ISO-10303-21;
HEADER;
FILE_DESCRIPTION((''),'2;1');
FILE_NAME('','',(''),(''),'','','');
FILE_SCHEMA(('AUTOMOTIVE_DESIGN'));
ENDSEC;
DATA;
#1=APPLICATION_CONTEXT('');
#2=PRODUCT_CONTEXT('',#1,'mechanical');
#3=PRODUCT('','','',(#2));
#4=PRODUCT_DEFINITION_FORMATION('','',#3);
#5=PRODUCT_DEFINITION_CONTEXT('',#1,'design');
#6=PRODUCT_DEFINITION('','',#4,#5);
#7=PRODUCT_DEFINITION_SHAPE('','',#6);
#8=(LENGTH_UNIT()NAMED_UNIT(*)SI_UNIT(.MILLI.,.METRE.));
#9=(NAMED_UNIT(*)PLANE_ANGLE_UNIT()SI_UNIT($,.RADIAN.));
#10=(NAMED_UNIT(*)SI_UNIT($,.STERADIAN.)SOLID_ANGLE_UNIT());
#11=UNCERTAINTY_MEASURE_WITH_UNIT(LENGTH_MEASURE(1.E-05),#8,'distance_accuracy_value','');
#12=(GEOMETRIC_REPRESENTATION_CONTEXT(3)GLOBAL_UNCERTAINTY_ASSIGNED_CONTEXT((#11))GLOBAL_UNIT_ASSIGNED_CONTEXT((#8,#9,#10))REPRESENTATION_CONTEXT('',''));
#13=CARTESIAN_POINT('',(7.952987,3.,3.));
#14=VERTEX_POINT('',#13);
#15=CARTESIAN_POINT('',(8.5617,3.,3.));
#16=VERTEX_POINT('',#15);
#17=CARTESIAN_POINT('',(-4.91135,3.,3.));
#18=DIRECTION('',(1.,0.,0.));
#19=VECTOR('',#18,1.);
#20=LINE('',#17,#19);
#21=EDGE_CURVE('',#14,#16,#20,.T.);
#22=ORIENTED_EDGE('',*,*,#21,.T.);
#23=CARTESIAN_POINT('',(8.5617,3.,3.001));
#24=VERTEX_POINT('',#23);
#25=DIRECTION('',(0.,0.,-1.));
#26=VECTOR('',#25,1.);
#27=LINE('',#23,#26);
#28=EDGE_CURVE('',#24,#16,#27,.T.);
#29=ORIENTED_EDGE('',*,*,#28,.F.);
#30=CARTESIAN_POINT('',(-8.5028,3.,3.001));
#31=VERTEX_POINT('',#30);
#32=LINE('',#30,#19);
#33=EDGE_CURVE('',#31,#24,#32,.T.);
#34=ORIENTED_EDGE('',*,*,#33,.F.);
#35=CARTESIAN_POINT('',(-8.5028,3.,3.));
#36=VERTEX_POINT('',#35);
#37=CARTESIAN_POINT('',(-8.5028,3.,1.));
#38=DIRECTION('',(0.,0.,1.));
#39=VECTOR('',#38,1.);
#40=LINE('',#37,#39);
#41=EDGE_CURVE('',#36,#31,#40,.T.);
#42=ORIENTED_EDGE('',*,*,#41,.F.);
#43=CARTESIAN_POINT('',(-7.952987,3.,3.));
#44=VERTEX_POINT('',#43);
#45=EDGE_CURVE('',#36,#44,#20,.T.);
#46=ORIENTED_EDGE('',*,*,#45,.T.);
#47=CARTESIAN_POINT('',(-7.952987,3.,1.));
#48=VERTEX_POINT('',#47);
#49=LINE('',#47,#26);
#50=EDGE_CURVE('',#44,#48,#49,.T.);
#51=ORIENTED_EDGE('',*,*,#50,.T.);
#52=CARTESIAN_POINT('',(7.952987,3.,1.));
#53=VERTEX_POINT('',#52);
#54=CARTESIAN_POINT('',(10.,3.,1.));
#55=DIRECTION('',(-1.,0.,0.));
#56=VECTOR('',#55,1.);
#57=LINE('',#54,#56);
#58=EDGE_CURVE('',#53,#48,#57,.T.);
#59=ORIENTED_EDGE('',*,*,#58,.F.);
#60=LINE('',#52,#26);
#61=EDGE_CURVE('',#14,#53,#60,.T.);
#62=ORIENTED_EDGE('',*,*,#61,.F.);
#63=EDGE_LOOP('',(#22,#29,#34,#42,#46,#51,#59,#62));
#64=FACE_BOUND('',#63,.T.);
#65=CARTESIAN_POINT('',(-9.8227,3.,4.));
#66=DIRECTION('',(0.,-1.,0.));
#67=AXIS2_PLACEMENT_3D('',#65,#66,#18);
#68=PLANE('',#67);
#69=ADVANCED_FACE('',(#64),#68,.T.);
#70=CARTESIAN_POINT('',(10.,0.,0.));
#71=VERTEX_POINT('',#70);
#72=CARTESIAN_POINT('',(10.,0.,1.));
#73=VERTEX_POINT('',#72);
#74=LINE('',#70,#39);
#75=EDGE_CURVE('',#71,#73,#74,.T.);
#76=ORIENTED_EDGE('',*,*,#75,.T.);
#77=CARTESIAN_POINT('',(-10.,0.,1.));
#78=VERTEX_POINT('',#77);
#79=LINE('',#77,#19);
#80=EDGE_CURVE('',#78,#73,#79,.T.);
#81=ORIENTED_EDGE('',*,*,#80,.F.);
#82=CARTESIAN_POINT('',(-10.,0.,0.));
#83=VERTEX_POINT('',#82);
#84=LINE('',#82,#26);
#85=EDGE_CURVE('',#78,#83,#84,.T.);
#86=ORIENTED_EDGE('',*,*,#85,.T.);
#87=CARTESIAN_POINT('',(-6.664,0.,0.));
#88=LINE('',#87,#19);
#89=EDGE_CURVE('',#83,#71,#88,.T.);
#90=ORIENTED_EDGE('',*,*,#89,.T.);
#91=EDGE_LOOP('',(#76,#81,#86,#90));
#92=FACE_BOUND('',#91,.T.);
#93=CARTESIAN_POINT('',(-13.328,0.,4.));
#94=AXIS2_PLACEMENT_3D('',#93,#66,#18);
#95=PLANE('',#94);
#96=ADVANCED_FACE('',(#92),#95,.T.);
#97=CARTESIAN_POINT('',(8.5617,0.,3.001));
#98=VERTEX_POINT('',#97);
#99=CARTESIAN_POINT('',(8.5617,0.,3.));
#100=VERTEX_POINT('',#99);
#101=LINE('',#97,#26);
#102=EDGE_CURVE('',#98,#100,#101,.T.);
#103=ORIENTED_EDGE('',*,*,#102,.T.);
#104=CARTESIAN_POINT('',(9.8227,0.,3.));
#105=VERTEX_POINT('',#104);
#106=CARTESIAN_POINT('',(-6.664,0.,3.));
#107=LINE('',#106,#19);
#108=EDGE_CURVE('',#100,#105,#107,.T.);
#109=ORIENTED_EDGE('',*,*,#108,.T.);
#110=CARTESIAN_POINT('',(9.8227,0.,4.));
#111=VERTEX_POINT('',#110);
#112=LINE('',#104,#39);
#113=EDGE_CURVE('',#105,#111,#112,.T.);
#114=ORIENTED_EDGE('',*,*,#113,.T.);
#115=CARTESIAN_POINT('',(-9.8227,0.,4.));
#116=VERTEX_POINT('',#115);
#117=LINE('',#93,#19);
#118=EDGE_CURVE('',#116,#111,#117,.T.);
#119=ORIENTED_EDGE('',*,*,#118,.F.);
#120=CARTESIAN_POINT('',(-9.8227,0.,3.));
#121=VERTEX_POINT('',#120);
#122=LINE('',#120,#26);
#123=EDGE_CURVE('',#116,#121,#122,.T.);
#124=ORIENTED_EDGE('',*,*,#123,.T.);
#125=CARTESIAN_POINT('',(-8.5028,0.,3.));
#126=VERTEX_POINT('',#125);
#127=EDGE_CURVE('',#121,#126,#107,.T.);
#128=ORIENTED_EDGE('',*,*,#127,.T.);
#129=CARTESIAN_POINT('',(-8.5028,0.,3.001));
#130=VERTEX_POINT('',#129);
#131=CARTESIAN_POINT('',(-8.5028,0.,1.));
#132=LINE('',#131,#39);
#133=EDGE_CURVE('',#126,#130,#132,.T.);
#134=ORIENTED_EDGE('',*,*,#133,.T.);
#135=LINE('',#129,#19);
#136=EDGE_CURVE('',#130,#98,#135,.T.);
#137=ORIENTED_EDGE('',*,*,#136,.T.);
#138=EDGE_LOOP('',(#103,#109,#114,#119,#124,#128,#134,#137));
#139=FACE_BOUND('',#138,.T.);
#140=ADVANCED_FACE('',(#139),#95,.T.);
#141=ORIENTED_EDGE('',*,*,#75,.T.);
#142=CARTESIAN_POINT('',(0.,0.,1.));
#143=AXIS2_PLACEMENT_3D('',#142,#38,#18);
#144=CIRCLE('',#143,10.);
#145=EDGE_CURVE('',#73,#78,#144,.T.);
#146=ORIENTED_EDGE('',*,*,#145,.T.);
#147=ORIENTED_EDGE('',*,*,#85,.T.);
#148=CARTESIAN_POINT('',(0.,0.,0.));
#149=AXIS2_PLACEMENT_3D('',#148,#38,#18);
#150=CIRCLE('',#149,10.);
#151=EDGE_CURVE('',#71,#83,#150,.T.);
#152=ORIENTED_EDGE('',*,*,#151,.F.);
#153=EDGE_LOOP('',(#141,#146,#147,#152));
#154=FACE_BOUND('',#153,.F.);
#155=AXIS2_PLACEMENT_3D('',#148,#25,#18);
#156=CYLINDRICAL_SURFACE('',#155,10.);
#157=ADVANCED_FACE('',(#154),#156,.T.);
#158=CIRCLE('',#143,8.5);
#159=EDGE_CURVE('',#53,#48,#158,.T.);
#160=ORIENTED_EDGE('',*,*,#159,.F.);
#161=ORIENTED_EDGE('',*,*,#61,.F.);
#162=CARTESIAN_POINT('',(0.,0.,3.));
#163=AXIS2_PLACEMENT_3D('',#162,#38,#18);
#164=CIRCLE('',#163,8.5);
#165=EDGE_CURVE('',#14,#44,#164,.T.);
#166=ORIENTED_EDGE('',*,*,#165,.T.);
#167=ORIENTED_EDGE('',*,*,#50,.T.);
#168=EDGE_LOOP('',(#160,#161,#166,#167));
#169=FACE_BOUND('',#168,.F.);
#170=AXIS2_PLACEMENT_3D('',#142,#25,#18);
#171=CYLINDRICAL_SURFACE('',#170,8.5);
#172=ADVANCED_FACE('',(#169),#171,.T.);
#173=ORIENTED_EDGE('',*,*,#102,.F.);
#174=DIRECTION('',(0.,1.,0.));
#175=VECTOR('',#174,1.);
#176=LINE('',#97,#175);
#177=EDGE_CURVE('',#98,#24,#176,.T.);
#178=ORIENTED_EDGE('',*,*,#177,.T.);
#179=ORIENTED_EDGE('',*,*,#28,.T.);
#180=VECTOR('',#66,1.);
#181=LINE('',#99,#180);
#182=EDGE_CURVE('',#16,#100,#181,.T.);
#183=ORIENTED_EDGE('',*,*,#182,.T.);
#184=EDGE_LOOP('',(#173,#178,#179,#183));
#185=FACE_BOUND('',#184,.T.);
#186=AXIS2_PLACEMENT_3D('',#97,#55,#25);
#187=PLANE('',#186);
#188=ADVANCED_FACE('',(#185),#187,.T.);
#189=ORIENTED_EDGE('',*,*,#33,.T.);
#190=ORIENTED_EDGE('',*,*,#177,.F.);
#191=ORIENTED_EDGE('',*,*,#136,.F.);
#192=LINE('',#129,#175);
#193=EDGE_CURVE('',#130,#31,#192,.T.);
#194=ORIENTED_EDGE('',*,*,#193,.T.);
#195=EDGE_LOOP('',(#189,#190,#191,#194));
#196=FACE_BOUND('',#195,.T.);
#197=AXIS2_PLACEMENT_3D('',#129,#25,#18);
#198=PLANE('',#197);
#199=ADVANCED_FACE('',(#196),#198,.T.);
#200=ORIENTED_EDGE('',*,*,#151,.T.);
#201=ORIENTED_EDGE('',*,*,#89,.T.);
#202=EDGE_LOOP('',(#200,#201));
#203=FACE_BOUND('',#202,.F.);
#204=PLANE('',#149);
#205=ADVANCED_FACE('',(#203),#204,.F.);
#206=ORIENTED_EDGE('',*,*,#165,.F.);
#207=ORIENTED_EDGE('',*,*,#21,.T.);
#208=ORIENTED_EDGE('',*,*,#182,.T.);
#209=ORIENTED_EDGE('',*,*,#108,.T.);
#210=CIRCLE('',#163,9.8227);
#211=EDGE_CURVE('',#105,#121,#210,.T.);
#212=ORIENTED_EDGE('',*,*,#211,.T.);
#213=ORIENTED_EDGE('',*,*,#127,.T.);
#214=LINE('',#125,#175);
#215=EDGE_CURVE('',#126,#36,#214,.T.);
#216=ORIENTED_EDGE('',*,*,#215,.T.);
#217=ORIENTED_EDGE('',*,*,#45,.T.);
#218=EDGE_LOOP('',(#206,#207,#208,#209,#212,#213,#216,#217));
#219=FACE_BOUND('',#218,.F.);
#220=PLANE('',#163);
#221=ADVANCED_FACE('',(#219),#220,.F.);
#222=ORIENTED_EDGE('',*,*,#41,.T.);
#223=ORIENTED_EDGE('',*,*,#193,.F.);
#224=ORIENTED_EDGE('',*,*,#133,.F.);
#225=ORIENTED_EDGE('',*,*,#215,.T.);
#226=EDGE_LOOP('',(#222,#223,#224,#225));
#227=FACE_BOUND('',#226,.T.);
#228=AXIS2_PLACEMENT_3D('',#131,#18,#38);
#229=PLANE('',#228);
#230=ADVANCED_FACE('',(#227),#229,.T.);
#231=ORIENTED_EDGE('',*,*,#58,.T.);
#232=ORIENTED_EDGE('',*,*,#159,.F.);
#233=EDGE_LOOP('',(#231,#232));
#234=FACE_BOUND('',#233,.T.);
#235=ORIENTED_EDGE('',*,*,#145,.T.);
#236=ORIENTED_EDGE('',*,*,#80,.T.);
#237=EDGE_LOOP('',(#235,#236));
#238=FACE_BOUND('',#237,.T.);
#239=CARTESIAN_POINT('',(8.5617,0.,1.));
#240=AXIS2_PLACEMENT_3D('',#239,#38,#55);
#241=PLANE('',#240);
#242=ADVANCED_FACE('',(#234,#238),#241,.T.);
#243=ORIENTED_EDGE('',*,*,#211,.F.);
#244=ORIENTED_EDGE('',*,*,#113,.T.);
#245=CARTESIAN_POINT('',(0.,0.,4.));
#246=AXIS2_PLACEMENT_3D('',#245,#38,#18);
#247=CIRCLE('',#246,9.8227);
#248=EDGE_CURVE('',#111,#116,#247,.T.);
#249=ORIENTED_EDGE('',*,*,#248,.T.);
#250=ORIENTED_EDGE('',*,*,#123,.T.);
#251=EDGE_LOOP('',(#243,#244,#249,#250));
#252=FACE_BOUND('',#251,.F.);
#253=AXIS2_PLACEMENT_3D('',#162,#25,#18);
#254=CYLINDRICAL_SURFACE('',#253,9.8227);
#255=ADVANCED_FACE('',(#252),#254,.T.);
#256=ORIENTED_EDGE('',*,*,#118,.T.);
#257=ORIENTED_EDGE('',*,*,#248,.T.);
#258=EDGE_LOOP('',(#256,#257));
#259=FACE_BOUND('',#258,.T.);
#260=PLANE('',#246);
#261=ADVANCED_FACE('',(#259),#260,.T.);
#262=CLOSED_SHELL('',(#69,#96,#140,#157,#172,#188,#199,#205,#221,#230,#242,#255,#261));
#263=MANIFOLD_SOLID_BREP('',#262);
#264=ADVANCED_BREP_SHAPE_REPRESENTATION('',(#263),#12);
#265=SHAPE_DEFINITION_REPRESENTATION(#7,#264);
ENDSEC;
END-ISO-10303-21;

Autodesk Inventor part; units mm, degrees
ref_plane "YZ Plane" through (0, 0, 0) normal (1, 0, 0) x (0, 1, 0)
ref_plane "XZ Plane" through (0, 0, 0) normal (0, 1, 0) x (-1, 0, 0)
ref_plane "XY Plane" through (0, 0, 0) normal (0, 0, 1) x (1, 0, 0)
sketch "Sketch1" plane through (0, 0, 0) normal (0, 0, 1) x (1, 0, 0)
  circle A0 centre (0, 0) radius 10
  dimension "d0" = 20
extrude "Extrusion1" add sketch "Sketch1" along normal blind 1
sketch "Sketch2" plane through (0, 0, 1) normal (0, 0, 1) x (1, 0, 0)
  circle A0 centre (0, 0) radius 8.5
  dimension "d3" = 17
extrude "Extrusion2" add sketch "Sketch2" along normal blind 2
sketch "Sketch3" plane through (0, 0, 3) normal (0, 0, 1) x (1, 0, 0)
  circle A0 centre (0, 0) radius 9.8227
extrude "Extrusion3" add sketch "Sketch3" along normal blind 1
sketch "Sketch4" plane through (0, 0, 4) normal (0, 0, 1) x (1, 0, 0)
  circle A0 centre (0, 0) radius 4.5
  line L0 (-3.25, 1.75) -> (3.25, 1.75)
  line L1 (3.25, 1.75) -> (3.25, -1.75)
  line L2 (3.25, -1.75) -> (-3.25, -1.75)
  line L3 (-3.25, -1.75) -> (-3.25, 1.75)
  dimension "d8" = 9
  dimension "d9" = 3.5
  dimension "d10" = 6.5
  dimension "d11" = 1.75
  dimension "d12" = 3.25
extrude "Extrusion4" add sketch "Sketch4" along normal blind 7
sketch "Sketch5" plane through (0, 0, 0) normal (0, 0, -1) x (-1, 0, 0)
  point P0 (0, 0)
sketch "Sketch6" plane through (0, 0, 11) normal (0, 0, 1) x (1, 0, 0)
  circle A0 centre (0, 0) radius 4.5
extrude "Extrusion5" cut sketch "Sketch6" against normal blind 7
sketch "Sketch7" plane through (0, 0, 4) normal (0, 0, 1) x (1, 0, 0)
  line L0 (-13.328, 0) -> (12.5041, 0)
  line L1 (12.5041, 0) -> (12.5041, -10.2387)
  line L2 (12.5041, -10.2387) -> (-13.328, -10.2387)
  line L3 (-13.328, -10.2387) -> (-13.328, 0)
  point P0 (0, 0)
extrude "Extrusion6" cut sketch "Sketch7" against normal blind 10
sketch "Sketch8" plane through (-9.8227, 0, 4) normal (0, -1, 0) x (1, 0, 0)
  line L0 (19.8227, -3) -> (-0.1773, -3) projected
  line L1 (1.3199, -0.999) -> (18.3844, -0.999)
  line L2 (18.3844, -0.999) -> (18.3844, -3)
  line L3 (18.3844, -3) -> (1.3199, -3)
  line L4 (1.3199, -3) -> (1.3199, -0.999)
  point P0 (9.8227, -4)
extrude "Extrusion7" cut sketch "Sketch8" against normal blind 3
properties part number "Top Holder"
